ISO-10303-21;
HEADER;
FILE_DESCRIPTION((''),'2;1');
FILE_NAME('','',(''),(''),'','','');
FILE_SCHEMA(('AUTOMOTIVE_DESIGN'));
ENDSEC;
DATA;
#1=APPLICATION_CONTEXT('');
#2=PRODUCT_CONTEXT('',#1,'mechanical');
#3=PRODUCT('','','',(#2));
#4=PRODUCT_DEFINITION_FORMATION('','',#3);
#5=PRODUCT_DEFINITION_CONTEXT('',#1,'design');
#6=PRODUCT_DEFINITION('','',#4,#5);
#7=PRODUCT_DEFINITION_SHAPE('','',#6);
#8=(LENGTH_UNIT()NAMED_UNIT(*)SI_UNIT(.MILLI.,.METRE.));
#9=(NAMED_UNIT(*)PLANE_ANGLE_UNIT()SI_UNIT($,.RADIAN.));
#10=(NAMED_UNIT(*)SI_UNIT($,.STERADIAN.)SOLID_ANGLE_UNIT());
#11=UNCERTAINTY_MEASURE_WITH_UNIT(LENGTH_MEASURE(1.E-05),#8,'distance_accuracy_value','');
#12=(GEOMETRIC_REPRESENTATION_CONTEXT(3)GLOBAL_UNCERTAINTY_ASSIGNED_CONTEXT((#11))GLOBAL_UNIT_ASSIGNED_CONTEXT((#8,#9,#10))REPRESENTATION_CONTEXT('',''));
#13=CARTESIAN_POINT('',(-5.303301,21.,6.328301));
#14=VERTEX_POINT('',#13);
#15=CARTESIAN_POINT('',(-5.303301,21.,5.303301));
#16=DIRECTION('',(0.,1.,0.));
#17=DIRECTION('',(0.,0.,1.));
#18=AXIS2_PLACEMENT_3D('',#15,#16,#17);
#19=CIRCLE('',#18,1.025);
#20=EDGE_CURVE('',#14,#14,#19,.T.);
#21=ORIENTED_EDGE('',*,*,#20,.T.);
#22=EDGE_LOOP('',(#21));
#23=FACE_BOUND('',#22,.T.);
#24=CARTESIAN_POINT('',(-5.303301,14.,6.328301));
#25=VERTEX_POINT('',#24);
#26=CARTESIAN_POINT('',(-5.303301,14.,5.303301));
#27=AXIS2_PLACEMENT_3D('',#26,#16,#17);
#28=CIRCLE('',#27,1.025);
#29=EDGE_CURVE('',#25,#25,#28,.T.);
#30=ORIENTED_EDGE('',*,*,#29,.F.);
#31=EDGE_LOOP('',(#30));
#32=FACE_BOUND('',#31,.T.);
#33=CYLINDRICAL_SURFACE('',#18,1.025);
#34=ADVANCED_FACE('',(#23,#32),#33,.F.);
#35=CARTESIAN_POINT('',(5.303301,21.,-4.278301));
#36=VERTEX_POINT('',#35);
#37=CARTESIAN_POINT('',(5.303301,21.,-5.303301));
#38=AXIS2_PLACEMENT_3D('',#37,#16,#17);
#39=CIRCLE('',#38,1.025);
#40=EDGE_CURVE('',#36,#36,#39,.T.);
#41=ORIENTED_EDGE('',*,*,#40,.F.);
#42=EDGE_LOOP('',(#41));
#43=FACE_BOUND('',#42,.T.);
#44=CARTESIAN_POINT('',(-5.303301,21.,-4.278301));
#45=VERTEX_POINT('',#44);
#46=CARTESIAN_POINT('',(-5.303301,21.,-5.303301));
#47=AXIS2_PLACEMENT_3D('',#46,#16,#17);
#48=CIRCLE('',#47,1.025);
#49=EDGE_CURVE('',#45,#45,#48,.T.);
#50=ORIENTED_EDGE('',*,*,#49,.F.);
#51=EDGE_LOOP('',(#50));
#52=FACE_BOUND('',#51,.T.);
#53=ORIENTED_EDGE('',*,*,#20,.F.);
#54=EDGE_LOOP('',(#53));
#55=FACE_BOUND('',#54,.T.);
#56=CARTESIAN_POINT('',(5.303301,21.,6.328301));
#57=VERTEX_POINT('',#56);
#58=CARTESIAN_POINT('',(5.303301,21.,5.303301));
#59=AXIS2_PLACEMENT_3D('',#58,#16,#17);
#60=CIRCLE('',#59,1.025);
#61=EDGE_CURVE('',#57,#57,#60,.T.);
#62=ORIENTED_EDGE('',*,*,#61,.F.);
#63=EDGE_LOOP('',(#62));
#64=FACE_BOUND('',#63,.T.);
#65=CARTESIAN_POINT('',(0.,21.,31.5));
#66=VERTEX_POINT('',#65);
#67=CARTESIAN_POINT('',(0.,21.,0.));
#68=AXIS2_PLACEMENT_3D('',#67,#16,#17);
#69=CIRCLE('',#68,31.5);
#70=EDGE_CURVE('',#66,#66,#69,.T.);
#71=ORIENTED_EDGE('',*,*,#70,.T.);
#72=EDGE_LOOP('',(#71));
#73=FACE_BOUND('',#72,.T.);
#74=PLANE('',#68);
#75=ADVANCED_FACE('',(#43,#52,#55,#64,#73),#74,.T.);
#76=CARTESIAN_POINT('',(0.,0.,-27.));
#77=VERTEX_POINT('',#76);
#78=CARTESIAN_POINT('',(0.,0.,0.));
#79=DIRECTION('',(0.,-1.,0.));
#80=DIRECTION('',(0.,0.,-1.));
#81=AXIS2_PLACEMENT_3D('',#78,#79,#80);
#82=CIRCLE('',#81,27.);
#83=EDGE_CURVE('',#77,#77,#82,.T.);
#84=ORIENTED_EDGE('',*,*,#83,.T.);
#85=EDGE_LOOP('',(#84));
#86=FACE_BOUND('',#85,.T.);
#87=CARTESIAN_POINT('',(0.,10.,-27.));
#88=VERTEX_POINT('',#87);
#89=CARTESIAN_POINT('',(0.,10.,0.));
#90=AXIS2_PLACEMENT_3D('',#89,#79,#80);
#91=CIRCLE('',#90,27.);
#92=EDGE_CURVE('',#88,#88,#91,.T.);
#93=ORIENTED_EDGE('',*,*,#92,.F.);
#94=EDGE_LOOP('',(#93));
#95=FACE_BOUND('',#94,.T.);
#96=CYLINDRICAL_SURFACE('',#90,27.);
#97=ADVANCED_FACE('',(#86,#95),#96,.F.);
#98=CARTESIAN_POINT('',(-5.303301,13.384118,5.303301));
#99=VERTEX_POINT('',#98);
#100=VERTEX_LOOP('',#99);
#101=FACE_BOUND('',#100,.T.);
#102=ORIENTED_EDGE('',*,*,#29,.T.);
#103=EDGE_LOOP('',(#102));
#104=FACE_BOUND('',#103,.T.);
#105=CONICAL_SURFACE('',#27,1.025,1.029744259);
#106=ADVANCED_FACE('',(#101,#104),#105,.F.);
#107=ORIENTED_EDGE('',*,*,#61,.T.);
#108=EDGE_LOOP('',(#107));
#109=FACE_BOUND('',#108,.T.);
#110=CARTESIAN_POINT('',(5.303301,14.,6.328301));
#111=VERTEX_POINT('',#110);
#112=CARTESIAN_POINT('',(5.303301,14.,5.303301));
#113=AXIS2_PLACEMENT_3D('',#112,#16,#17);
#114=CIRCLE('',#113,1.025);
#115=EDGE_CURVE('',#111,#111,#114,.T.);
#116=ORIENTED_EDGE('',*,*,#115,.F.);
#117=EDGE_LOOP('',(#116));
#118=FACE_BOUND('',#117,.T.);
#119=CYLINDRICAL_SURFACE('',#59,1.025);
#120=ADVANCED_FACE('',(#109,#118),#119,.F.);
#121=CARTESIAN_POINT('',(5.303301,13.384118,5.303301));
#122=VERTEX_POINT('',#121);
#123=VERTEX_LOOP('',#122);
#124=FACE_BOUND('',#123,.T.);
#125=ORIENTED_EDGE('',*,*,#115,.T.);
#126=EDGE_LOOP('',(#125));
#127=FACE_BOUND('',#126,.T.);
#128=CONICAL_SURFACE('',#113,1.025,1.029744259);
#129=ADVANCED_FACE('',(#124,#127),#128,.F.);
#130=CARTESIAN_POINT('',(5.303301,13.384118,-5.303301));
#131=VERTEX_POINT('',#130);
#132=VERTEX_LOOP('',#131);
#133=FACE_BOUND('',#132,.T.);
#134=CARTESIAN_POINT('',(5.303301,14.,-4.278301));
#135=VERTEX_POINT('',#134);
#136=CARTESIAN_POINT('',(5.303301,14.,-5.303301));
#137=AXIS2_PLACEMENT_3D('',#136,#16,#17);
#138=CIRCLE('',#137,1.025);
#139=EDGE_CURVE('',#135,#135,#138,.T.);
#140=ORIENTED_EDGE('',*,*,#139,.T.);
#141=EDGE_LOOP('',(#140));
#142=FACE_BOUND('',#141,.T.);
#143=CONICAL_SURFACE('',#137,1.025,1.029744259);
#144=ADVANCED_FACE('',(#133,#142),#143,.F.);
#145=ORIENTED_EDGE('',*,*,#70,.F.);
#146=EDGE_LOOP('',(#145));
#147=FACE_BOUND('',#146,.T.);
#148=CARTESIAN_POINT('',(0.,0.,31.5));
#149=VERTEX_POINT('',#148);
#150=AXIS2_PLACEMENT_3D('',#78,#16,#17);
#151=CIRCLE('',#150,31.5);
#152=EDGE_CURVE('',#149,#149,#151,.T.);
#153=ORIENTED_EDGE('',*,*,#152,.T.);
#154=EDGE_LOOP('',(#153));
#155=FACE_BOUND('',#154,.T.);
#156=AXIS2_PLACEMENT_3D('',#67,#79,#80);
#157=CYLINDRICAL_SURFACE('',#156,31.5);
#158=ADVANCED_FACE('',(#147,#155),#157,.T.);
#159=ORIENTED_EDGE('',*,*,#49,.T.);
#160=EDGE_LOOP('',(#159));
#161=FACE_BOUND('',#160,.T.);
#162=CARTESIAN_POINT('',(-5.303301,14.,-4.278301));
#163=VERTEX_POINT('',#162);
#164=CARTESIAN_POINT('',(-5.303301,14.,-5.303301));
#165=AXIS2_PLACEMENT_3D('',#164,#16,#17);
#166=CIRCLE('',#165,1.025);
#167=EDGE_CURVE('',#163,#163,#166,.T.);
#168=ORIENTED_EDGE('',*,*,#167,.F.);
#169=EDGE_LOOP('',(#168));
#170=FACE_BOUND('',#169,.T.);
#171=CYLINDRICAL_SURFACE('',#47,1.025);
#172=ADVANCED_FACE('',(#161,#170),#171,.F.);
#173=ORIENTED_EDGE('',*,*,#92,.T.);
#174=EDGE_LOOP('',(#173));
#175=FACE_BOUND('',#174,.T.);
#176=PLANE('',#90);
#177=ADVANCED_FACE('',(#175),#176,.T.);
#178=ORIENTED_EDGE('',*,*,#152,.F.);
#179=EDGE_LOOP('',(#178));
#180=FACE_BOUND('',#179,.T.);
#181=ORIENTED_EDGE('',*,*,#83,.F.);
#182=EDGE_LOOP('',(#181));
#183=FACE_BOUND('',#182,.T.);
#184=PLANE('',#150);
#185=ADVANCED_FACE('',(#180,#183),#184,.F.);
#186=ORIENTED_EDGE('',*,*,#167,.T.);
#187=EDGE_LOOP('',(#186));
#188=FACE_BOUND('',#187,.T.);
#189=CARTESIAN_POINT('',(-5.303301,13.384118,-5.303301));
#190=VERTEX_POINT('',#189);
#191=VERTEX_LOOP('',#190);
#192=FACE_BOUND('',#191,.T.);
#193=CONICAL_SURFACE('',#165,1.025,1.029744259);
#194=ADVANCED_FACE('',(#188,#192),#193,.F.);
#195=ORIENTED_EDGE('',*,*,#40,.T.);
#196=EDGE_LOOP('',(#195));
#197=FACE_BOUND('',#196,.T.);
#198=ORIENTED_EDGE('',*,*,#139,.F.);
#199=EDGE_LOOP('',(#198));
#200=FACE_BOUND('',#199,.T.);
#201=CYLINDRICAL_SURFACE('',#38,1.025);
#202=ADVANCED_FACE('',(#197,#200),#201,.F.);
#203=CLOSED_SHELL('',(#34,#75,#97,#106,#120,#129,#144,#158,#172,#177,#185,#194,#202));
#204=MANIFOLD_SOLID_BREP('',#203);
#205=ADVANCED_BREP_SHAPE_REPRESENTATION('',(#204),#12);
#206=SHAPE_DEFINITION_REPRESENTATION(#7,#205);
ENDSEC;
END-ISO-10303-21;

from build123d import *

# Parameters (mm, degrees)
SKETCH1_R                          = 31.5
BOSS_EXTRUDE1_DEPTH                = 21
TAP_DRILL_FOR_M2_5X0_45_TAP2_D     = 2.05
TAP_DRILL_FOR_M2_5X0_45_TAP2_DEPTH = 7
TAP_DRILL_FOR_M2_5X0_45_TAP2_TIP   = 0.615882135
SKETCH6_R                          = 27
CUT_EXTRUDE1_DEPTH                 = 10


with BuildPart() as part:
    # Sketch1 → Boss-Extrude1 (new body)
    with BuildSketch(Plane(origin=(0, 0, 0), x_dir=(1, 0, 0), z_dir=(0, 1, 0))):
        Circle(SKETCH1_R)
    extrude(amount=BOSS_EXTRUDE1_DEPTH)

    # Tap Drill for M2.5x0.45 Tap2
    with Locations(Plane(origin=(0, 21, 0), x_dir=(1, 0, 0), z_dir=(0, 1, 0))):
        with Locations((-5.303300859, 5.303300859), (5.303300859, 5.303300859), (5.303300859, -5.303300859), (-5.303300859, -5.303300859)):
            Hole(TAP_DRILL_FOR_M2_5X0_45_TAP2_D / 2, depth=TAP_DRILL_FOR_M2_5X0_45_TAP2_DEPTH)
            with Locations((0, 0, -(TAP_DRILL_FOR_M2_5X0_45_TAP2_DEPTH + TAP_DRILL_FOR_M2_5X0_45_TAP2_TIP / 2))):  # 118° drill point
                Cone(0, TAP_DRILL_FOR_M2_5X0_45_TAP2_D / 2, TAP_DRILL_FOR_M2_5X0_45_TAP2_TIP, mode=Mode.SUBTRACT)

    # Sketch6 → Cut-Extrude1 (cut)
    with BuildSketch(Plane.XZ):
        Circle(SKETCH6_R)
    extrude(amount=-CUT_EXTRUDE1_DEPTH, mode=Mode.SUBTRACT)


solid = part.part
